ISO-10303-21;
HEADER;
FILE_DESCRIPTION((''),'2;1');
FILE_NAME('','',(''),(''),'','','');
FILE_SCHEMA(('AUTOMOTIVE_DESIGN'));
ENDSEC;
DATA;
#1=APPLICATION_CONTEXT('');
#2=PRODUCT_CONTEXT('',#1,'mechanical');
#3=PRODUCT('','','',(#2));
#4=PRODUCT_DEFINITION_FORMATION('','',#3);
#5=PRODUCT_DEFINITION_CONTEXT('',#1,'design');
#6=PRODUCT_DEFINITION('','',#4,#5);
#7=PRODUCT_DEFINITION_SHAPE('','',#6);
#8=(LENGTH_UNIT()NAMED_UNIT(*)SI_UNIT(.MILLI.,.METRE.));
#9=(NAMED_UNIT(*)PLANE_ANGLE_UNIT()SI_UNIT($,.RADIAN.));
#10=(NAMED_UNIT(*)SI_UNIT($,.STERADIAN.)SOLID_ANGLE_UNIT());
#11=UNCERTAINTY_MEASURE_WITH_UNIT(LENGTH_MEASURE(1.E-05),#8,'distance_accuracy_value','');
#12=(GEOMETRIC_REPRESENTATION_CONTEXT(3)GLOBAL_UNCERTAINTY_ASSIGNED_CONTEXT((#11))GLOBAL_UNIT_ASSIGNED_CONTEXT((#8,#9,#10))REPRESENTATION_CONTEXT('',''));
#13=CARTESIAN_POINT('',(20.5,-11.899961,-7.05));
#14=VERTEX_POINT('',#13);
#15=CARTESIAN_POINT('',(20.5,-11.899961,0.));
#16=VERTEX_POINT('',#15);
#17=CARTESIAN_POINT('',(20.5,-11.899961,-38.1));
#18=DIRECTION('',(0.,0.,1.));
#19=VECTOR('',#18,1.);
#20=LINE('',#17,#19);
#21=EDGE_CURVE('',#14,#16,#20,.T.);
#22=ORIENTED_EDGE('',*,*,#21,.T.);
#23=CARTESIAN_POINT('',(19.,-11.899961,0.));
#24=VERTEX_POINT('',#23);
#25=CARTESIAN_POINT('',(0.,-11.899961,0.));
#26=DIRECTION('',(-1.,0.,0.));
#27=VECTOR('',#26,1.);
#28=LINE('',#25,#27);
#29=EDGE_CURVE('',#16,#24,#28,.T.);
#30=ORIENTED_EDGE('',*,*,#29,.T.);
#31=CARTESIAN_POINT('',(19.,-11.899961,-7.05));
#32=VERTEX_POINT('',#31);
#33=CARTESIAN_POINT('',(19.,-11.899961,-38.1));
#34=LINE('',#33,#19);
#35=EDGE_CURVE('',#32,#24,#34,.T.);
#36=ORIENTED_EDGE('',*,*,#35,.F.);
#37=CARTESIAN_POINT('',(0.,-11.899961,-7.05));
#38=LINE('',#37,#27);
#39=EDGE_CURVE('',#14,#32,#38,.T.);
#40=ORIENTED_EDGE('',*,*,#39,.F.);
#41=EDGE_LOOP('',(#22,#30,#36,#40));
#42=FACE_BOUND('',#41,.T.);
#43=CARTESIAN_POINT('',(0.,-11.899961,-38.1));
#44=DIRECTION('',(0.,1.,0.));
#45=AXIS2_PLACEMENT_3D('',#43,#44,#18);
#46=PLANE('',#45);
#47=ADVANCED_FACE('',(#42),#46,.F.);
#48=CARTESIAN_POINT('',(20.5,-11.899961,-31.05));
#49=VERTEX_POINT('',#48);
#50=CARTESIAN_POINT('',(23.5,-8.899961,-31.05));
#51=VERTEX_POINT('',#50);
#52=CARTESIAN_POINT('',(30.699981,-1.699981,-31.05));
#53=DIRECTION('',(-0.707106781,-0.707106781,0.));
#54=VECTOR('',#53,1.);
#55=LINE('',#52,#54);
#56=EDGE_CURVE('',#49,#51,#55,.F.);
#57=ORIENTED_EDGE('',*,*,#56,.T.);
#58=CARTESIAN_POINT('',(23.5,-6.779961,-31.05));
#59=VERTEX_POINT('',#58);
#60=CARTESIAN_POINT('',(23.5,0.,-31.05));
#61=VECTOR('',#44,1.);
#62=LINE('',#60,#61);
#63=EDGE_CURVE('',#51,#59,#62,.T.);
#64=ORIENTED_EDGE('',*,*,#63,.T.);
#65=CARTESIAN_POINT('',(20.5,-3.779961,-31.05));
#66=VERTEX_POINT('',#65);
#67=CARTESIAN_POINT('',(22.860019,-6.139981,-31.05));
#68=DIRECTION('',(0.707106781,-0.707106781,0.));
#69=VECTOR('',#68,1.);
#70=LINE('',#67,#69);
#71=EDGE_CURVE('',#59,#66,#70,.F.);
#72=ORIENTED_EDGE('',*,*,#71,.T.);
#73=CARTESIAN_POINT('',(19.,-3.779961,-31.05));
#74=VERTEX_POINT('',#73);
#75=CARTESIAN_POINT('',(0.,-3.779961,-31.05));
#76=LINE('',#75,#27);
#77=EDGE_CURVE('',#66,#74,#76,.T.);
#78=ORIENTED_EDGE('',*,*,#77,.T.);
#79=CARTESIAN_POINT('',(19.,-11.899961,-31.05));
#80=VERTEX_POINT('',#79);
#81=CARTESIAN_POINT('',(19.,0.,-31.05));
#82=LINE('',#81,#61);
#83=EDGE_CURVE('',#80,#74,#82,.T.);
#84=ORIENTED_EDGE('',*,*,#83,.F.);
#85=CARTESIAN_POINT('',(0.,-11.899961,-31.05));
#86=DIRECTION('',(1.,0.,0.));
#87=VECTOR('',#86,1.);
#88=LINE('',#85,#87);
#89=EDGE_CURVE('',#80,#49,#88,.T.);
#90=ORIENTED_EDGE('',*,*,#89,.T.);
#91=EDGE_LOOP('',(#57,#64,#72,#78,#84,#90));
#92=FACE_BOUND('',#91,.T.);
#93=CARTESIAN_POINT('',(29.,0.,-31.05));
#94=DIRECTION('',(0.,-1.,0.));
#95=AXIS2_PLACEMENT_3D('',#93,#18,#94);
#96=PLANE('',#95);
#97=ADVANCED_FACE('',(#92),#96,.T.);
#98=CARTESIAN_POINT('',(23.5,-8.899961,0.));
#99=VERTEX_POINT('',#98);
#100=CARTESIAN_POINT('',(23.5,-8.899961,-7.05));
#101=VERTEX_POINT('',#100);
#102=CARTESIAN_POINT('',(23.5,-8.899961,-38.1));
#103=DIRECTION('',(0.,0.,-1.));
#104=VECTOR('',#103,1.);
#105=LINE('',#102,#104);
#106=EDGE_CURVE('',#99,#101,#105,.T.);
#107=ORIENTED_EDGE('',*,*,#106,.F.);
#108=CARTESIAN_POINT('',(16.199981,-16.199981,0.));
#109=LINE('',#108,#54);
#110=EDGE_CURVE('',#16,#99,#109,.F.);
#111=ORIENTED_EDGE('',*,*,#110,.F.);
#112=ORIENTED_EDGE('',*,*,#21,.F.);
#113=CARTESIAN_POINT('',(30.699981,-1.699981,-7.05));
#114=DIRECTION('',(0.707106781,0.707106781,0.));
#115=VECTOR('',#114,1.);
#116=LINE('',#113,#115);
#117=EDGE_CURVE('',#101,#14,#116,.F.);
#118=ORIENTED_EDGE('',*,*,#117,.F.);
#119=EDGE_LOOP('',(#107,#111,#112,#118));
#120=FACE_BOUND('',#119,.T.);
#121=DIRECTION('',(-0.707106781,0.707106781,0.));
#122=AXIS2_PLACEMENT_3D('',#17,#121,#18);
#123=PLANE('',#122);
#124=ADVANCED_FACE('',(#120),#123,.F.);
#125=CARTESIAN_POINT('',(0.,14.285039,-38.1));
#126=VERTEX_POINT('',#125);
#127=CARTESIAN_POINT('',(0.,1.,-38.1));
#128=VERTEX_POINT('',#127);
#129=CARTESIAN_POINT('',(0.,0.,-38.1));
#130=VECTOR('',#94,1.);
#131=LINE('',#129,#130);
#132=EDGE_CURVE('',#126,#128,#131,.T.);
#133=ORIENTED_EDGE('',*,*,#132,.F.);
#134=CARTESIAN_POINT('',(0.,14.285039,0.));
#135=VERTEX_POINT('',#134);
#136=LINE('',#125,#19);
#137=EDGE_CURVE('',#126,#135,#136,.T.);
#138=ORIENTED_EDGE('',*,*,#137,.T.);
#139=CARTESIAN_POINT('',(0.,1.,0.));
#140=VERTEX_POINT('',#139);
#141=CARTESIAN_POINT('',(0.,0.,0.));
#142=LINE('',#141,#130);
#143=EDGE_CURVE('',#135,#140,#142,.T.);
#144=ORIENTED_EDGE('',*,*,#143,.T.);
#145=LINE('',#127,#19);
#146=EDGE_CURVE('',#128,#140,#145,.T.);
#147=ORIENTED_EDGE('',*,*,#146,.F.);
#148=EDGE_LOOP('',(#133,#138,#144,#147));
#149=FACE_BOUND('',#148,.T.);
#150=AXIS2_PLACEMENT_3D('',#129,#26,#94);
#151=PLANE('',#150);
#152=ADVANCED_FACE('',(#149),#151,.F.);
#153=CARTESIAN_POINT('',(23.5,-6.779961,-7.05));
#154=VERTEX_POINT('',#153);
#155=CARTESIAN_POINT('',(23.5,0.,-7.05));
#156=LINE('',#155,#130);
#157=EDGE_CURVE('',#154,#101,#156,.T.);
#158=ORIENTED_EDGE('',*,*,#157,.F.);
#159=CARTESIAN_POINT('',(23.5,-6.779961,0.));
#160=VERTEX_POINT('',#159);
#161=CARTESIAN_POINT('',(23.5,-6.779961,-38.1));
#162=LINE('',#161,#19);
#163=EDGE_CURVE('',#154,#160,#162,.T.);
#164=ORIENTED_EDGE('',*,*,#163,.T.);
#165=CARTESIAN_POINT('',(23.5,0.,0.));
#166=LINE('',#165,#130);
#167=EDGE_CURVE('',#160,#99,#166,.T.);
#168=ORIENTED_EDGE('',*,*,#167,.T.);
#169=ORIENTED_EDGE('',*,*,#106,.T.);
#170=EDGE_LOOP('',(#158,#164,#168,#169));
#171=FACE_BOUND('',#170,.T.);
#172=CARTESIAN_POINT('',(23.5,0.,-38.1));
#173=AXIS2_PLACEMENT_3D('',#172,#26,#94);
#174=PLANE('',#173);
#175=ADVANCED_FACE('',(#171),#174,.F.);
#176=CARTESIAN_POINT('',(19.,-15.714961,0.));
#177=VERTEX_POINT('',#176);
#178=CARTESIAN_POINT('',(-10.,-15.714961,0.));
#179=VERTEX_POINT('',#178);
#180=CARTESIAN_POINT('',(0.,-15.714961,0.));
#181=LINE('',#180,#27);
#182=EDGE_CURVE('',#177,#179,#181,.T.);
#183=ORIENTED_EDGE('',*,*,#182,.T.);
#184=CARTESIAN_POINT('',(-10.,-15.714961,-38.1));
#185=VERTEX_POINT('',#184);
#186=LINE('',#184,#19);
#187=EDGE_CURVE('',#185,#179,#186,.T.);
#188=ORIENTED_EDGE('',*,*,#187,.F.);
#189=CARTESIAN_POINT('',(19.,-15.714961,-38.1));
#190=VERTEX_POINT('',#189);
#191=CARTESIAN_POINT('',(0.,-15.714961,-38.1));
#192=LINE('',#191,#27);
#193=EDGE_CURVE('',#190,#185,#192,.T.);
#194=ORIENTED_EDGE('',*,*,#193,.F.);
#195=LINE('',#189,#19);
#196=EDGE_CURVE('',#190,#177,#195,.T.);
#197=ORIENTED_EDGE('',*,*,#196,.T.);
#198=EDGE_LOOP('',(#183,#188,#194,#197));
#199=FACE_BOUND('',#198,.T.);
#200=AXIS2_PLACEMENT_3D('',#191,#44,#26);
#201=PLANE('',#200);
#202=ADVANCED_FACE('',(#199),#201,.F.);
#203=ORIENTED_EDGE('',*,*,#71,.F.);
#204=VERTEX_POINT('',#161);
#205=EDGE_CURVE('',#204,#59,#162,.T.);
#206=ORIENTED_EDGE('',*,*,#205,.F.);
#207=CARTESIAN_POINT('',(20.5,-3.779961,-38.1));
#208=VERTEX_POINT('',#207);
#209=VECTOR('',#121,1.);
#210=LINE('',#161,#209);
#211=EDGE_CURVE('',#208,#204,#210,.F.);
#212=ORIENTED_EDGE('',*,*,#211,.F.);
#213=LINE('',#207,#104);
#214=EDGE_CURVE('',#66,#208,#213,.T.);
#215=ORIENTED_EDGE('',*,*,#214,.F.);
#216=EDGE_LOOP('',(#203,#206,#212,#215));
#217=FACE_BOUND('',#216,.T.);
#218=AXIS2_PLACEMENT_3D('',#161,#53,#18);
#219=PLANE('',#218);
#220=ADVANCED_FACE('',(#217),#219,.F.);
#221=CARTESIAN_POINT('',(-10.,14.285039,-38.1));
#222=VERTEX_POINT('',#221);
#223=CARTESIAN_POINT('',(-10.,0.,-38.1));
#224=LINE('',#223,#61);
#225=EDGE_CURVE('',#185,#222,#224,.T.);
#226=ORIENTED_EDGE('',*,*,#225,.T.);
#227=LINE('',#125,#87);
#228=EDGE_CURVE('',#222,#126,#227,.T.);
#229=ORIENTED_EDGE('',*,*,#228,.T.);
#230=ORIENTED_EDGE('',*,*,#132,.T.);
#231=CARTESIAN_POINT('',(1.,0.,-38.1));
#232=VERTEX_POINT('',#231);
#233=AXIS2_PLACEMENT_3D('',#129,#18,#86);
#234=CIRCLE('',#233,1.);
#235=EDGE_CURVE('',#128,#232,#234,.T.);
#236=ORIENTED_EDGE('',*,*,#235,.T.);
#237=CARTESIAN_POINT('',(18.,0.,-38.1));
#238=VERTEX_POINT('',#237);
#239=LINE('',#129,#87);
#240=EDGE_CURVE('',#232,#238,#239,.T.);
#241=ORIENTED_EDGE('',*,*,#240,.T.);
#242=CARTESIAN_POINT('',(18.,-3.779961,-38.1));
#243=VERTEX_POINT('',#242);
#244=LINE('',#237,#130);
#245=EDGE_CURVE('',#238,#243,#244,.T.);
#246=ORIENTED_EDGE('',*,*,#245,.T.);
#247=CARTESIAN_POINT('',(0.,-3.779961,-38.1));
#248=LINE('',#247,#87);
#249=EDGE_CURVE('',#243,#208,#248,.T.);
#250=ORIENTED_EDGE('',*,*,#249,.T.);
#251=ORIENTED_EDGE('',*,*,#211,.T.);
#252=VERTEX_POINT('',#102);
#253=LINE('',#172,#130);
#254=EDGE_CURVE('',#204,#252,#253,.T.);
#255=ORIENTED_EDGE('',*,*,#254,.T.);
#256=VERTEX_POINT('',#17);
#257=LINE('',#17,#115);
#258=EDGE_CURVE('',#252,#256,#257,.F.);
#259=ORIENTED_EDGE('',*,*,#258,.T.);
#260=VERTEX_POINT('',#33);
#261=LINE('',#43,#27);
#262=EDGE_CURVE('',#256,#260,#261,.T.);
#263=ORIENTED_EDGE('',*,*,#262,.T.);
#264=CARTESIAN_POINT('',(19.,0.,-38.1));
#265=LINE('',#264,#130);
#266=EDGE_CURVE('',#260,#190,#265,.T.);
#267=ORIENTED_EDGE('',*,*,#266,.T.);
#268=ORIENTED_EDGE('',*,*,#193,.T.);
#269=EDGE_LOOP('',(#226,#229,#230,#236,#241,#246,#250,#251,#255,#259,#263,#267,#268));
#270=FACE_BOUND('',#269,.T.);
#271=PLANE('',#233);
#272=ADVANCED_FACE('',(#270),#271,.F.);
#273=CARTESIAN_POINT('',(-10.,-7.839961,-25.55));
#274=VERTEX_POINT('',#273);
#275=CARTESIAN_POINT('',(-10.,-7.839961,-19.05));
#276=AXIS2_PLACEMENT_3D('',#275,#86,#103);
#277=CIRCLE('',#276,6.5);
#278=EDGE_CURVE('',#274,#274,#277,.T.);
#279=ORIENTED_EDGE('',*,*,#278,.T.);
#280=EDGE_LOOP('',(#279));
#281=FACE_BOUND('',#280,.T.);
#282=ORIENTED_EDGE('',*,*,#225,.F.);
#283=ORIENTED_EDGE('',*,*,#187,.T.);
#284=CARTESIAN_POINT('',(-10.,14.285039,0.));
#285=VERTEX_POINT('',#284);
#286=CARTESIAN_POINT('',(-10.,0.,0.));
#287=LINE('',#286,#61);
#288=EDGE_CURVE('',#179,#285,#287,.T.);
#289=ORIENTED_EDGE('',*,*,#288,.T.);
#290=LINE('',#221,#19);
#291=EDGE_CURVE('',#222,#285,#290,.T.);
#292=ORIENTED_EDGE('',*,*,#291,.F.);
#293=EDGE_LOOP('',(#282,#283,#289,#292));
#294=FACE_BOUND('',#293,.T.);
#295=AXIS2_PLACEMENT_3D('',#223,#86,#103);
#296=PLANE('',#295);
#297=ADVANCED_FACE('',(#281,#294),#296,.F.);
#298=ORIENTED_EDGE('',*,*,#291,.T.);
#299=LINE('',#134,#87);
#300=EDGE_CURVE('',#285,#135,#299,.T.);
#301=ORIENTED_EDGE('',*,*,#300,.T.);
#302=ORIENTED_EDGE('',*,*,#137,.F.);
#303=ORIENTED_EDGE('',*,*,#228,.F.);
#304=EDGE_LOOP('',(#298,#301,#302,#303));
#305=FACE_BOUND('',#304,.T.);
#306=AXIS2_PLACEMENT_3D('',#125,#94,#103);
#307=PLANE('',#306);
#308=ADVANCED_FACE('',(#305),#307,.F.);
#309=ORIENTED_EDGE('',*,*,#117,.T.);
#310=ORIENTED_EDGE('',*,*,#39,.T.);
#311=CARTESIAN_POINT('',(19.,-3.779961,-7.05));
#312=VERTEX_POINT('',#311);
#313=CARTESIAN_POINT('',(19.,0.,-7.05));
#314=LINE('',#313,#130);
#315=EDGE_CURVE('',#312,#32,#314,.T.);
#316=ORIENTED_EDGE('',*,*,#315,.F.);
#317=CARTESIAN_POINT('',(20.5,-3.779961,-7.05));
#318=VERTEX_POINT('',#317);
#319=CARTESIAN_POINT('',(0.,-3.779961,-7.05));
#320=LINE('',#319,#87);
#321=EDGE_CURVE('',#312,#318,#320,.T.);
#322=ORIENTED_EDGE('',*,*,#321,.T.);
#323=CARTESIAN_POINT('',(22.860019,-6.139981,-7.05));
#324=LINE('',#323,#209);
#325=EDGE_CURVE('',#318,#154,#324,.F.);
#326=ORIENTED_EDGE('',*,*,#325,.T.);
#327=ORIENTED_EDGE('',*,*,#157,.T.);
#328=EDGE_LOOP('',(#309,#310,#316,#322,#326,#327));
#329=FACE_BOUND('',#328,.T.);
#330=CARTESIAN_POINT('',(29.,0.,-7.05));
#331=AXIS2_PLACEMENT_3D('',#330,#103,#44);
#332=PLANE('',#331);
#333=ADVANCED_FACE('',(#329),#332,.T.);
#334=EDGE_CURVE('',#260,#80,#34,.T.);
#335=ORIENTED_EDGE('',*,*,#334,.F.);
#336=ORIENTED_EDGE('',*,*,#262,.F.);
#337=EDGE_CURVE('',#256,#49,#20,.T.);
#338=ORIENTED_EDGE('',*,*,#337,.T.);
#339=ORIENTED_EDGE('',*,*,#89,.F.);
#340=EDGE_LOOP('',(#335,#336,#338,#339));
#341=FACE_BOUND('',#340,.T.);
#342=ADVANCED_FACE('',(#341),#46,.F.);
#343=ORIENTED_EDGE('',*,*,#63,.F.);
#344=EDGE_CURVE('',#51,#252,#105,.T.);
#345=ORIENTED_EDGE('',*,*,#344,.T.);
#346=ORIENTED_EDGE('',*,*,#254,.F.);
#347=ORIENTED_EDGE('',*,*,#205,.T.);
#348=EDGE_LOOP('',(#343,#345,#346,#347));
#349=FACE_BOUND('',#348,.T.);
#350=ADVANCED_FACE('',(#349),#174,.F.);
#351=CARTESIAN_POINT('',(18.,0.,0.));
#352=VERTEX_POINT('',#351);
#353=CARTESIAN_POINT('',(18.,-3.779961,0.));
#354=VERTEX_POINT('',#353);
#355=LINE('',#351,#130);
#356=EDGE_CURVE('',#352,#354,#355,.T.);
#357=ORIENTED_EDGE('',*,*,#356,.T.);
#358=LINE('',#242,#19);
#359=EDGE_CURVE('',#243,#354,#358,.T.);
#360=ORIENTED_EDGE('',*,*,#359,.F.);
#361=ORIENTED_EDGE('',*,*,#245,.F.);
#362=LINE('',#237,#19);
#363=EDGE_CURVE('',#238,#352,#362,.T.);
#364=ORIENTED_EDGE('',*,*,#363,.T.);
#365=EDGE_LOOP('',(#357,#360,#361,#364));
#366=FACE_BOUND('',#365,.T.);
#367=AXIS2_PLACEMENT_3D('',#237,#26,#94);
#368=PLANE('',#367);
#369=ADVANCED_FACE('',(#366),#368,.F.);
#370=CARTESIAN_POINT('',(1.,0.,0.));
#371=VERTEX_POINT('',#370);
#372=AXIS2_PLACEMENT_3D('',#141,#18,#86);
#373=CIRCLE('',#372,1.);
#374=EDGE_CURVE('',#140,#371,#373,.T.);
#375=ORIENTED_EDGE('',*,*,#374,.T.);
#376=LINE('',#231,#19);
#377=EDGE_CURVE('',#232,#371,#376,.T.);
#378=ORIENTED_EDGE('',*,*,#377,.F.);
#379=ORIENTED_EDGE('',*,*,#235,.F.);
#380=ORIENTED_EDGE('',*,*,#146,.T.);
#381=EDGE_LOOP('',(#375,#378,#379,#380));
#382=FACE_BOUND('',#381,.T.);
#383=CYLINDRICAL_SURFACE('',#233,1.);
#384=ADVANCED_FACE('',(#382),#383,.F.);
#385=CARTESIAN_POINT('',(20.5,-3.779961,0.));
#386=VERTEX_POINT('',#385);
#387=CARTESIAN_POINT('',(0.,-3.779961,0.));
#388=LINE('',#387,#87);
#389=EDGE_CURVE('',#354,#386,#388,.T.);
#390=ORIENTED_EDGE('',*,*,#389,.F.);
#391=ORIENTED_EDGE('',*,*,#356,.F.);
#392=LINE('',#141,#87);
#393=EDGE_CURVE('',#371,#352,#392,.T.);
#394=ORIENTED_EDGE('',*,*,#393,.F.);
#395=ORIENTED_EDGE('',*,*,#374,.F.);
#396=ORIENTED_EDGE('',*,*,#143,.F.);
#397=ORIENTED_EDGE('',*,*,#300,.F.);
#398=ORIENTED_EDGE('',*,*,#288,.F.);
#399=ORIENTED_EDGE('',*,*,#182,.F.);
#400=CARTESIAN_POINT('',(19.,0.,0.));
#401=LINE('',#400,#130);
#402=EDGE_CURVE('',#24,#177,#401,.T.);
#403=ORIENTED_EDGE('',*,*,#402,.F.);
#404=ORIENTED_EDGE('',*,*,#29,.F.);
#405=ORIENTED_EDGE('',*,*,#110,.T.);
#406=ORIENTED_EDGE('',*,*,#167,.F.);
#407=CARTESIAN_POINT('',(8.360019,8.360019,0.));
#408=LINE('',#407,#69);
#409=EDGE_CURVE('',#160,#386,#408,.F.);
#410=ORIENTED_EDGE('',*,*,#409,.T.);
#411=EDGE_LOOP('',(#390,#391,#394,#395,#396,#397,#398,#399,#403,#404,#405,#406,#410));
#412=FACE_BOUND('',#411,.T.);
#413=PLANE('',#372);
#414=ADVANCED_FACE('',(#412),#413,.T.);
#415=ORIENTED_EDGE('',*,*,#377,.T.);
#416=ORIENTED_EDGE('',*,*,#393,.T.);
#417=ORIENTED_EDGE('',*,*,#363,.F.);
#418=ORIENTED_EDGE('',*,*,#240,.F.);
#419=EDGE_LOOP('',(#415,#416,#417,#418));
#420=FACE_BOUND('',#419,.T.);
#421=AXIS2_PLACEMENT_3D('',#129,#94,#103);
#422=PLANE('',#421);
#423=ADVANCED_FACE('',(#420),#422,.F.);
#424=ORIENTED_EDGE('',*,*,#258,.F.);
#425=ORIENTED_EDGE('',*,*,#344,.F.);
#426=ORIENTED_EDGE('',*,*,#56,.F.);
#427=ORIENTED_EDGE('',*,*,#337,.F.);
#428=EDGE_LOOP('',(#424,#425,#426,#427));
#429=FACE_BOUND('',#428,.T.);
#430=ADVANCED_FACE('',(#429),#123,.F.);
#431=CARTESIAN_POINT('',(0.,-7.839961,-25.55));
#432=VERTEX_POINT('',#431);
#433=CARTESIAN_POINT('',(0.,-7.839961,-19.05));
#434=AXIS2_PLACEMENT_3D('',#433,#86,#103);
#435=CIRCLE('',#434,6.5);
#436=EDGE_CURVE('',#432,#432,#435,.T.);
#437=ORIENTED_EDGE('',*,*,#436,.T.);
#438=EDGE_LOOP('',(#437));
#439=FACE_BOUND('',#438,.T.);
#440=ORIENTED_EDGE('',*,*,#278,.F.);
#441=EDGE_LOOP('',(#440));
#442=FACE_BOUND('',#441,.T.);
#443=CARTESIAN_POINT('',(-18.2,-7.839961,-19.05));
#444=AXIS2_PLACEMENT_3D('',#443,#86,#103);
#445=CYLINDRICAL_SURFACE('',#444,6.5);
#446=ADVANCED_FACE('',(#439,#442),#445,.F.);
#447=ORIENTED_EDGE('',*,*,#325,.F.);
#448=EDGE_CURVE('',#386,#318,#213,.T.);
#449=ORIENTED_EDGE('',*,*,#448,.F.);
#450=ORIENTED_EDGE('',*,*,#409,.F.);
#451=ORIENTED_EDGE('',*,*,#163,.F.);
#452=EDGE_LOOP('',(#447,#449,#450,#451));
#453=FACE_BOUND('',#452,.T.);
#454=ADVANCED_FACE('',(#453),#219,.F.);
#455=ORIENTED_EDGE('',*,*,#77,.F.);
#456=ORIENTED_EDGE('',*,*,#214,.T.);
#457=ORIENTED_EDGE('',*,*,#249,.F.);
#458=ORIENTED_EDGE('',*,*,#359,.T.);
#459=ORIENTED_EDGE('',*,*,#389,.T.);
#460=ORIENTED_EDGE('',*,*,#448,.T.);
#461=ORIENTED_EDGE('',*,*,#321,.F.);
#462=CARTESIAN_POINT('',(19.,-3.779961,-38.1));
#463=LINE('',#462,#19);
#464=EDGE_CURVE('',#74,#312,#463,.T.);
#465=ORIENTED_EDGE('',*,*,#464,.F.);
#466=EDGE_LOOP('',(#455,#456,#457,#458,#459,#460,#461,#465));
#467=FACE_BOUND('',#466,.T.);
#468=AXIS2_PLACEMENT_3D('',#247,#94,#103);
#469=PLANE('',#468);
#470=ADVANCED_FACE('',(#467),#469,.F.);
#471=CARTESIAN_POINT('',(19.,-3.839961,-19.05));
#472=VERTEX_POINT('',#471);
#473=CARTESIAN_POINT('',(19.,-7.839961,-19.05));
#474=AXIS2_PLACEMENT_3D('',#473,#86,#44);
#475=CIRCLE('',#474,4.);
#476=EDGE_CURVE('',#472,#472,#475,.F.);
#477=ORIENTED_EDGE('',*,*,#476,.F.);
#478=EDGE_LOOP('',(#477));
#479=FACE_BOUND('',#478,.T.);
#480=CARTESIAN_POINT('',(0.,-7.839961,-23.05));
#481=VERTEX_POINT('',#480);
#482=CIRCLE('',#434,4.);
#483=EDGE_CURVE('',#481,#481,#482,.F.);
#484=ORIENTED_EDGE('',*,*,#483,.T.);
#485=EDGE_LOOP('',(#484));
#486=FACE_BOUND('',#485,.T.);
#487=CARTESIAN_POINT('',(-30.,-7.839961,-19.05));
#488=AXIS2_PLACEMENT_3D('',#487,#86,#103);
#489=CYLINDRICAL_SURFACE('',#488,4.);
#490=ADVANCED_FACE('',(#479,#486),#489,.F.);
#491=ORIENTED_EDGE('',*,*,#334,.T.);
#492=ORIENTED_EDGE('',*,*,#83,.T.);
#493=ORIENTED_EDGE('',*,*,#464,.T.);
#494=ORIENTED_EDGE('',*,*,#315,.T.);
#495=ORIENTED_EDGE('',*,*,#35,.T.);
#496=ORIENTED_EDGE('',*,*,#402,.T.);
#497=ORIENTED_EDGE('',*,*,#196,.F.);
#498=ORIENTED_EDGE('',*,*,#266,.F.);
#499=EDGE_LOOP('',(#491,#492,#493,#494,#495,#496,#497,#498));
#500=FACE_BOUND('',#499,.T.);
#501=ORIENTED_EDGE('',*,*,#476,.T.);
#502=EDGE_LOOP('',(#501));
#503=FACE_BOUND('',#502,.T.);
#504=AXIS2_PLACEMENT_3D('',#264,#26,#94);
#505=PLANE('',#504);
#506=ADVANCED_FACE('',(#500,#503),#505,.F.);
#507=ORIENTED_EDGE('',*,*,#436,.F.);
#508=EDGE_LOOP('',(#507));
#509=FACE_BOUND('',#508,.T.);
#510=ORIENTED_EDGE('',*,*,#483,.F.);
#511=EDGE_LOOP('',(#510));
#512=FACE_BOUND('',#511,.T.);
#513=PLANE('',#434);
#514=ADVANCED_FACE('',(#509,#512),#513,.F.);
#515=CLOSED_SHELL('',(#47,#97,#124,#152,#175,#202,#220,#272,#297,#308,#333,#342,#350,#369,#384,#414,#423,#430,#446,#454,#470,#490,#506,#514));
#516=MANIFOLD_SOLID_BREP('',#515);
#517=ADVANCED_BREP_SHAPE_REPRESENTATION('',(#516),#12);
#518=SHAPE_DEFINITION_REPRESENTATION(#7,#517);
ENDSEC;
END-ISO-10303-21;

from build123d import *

# Parameters (mm, degrees)
BOSS_EXTRUDE1_DEPTH     = 38.1
CUT_EXTRUDE1_DEPTH      = 55.4
CUT_EXTRUDE1_DEPTH_BACK = 30
SKETCH2_R               = 4
SKETCH3_R               = 6.5
CUT_EXTRUDE2_DEPTH      = 18.2
CUT_EXTRUDE3_START      = 19
SKETCH4_W               = 24
SKETCH4_H               = 20
CUT_EXTRUDE3_DEPTH      = 10
CHAMFER1_SIZE           = 3


with BuildPart() as part:
    # Sketch1 → Boss-Extrude1 (new body)
    with BuildSketch(Plane.XY):
        with BuildLine():
            Line((-10, -15.714961024), (-10, 14.285038976))
            Line((-10, 14.285038976), (0, 14.285038976))
            Line((0, 14.285038976), (0, 1))
            ThreePointArc((0, 1), (-0.707106781, -0.707106781), (1, 0))
            Line((1, 0), (18, 0))
            Line((18, 0), (18, -3.779961024))
            Line((18, -3.779961024), (23.5, -3.779961024))
            Line((23.5, -3.779961024), (23.5, -11.899961024))
            Line((23.5, -11.899961024), (19, -11.899961024))
            Line((19, -11.899961024), (19, -15.714961024))
            Line((19, -15.714961024), (-10, -15.714961024))
        make_face()
    extrude(amount=-BOSS_EXTRUDE1_DEPTH)

    # Sketch2 → Cut-Extrude1 (cut, two sides: drawn at the far end of the back side and taken through both)
    with BuildSketch(Plane(origin=(0, 0, 0), x_dir=(0, 0, -1), z_dir=(1, 0, 0)).offset(-CUT_EXTRUDE1_DEPTH_BACK)):
        with Locations((-19.05, -7.839961024)):
            Circle(SKETCH2_R)
        with Locations((19.05, -7.839961024)):
            Circle(SKETCH2_R)
    extrude(amount=CUT_EXTRUDE1_DEPTH + CUT_EXTRUDE1_DEPTH_BACK, mode=Mode.SUBTRACT)

    # Sketch3 → Cut-Extrude2 (cut)
    with BuildSketch(Plane(origin=(0, 0, 0), x_dir=(0, 0, -1), z_dir=(1, 0, 0))):
        with Locations((19.05, -7.839961024)):
            Circle(SKETCH3_R)
    extrude(amount=-CUT_EXTRUDE2_DEPTH, mode=Mode.SUBTRACT)

    # Sketch4 → Cut-Extrude3 (cut)
    with BuildSketch(Plane(origin=(0, 0, 0), x_dir=(0, 0, -1), z_dir=(1, 0, 0)).offset(CUT_EXTRUDE3_START)):
        with Locations((19.05, -7.839961024)):
            Rectangle(SKETCH4_W, SKETCH4_H)
    extrude(amount=CUT_EXTRUDE3_DEPTH, mode=Mode.SUBTRACT)

    # Chamfer1
    chamfer1_edges = [part.edges().sort_by_distance(p)[0] for p in [
        (23.5, -3.779961024, -34.575),
        (23.5, -11.899961024, -34.575),
        (23.5, -11.899961024, -3.525),
        (23.5, -3.779961024, -3.525),
    ]]
    chamfer(chamfer1_edges, length=CHAMFER1_SIZE)


solid = part.part
